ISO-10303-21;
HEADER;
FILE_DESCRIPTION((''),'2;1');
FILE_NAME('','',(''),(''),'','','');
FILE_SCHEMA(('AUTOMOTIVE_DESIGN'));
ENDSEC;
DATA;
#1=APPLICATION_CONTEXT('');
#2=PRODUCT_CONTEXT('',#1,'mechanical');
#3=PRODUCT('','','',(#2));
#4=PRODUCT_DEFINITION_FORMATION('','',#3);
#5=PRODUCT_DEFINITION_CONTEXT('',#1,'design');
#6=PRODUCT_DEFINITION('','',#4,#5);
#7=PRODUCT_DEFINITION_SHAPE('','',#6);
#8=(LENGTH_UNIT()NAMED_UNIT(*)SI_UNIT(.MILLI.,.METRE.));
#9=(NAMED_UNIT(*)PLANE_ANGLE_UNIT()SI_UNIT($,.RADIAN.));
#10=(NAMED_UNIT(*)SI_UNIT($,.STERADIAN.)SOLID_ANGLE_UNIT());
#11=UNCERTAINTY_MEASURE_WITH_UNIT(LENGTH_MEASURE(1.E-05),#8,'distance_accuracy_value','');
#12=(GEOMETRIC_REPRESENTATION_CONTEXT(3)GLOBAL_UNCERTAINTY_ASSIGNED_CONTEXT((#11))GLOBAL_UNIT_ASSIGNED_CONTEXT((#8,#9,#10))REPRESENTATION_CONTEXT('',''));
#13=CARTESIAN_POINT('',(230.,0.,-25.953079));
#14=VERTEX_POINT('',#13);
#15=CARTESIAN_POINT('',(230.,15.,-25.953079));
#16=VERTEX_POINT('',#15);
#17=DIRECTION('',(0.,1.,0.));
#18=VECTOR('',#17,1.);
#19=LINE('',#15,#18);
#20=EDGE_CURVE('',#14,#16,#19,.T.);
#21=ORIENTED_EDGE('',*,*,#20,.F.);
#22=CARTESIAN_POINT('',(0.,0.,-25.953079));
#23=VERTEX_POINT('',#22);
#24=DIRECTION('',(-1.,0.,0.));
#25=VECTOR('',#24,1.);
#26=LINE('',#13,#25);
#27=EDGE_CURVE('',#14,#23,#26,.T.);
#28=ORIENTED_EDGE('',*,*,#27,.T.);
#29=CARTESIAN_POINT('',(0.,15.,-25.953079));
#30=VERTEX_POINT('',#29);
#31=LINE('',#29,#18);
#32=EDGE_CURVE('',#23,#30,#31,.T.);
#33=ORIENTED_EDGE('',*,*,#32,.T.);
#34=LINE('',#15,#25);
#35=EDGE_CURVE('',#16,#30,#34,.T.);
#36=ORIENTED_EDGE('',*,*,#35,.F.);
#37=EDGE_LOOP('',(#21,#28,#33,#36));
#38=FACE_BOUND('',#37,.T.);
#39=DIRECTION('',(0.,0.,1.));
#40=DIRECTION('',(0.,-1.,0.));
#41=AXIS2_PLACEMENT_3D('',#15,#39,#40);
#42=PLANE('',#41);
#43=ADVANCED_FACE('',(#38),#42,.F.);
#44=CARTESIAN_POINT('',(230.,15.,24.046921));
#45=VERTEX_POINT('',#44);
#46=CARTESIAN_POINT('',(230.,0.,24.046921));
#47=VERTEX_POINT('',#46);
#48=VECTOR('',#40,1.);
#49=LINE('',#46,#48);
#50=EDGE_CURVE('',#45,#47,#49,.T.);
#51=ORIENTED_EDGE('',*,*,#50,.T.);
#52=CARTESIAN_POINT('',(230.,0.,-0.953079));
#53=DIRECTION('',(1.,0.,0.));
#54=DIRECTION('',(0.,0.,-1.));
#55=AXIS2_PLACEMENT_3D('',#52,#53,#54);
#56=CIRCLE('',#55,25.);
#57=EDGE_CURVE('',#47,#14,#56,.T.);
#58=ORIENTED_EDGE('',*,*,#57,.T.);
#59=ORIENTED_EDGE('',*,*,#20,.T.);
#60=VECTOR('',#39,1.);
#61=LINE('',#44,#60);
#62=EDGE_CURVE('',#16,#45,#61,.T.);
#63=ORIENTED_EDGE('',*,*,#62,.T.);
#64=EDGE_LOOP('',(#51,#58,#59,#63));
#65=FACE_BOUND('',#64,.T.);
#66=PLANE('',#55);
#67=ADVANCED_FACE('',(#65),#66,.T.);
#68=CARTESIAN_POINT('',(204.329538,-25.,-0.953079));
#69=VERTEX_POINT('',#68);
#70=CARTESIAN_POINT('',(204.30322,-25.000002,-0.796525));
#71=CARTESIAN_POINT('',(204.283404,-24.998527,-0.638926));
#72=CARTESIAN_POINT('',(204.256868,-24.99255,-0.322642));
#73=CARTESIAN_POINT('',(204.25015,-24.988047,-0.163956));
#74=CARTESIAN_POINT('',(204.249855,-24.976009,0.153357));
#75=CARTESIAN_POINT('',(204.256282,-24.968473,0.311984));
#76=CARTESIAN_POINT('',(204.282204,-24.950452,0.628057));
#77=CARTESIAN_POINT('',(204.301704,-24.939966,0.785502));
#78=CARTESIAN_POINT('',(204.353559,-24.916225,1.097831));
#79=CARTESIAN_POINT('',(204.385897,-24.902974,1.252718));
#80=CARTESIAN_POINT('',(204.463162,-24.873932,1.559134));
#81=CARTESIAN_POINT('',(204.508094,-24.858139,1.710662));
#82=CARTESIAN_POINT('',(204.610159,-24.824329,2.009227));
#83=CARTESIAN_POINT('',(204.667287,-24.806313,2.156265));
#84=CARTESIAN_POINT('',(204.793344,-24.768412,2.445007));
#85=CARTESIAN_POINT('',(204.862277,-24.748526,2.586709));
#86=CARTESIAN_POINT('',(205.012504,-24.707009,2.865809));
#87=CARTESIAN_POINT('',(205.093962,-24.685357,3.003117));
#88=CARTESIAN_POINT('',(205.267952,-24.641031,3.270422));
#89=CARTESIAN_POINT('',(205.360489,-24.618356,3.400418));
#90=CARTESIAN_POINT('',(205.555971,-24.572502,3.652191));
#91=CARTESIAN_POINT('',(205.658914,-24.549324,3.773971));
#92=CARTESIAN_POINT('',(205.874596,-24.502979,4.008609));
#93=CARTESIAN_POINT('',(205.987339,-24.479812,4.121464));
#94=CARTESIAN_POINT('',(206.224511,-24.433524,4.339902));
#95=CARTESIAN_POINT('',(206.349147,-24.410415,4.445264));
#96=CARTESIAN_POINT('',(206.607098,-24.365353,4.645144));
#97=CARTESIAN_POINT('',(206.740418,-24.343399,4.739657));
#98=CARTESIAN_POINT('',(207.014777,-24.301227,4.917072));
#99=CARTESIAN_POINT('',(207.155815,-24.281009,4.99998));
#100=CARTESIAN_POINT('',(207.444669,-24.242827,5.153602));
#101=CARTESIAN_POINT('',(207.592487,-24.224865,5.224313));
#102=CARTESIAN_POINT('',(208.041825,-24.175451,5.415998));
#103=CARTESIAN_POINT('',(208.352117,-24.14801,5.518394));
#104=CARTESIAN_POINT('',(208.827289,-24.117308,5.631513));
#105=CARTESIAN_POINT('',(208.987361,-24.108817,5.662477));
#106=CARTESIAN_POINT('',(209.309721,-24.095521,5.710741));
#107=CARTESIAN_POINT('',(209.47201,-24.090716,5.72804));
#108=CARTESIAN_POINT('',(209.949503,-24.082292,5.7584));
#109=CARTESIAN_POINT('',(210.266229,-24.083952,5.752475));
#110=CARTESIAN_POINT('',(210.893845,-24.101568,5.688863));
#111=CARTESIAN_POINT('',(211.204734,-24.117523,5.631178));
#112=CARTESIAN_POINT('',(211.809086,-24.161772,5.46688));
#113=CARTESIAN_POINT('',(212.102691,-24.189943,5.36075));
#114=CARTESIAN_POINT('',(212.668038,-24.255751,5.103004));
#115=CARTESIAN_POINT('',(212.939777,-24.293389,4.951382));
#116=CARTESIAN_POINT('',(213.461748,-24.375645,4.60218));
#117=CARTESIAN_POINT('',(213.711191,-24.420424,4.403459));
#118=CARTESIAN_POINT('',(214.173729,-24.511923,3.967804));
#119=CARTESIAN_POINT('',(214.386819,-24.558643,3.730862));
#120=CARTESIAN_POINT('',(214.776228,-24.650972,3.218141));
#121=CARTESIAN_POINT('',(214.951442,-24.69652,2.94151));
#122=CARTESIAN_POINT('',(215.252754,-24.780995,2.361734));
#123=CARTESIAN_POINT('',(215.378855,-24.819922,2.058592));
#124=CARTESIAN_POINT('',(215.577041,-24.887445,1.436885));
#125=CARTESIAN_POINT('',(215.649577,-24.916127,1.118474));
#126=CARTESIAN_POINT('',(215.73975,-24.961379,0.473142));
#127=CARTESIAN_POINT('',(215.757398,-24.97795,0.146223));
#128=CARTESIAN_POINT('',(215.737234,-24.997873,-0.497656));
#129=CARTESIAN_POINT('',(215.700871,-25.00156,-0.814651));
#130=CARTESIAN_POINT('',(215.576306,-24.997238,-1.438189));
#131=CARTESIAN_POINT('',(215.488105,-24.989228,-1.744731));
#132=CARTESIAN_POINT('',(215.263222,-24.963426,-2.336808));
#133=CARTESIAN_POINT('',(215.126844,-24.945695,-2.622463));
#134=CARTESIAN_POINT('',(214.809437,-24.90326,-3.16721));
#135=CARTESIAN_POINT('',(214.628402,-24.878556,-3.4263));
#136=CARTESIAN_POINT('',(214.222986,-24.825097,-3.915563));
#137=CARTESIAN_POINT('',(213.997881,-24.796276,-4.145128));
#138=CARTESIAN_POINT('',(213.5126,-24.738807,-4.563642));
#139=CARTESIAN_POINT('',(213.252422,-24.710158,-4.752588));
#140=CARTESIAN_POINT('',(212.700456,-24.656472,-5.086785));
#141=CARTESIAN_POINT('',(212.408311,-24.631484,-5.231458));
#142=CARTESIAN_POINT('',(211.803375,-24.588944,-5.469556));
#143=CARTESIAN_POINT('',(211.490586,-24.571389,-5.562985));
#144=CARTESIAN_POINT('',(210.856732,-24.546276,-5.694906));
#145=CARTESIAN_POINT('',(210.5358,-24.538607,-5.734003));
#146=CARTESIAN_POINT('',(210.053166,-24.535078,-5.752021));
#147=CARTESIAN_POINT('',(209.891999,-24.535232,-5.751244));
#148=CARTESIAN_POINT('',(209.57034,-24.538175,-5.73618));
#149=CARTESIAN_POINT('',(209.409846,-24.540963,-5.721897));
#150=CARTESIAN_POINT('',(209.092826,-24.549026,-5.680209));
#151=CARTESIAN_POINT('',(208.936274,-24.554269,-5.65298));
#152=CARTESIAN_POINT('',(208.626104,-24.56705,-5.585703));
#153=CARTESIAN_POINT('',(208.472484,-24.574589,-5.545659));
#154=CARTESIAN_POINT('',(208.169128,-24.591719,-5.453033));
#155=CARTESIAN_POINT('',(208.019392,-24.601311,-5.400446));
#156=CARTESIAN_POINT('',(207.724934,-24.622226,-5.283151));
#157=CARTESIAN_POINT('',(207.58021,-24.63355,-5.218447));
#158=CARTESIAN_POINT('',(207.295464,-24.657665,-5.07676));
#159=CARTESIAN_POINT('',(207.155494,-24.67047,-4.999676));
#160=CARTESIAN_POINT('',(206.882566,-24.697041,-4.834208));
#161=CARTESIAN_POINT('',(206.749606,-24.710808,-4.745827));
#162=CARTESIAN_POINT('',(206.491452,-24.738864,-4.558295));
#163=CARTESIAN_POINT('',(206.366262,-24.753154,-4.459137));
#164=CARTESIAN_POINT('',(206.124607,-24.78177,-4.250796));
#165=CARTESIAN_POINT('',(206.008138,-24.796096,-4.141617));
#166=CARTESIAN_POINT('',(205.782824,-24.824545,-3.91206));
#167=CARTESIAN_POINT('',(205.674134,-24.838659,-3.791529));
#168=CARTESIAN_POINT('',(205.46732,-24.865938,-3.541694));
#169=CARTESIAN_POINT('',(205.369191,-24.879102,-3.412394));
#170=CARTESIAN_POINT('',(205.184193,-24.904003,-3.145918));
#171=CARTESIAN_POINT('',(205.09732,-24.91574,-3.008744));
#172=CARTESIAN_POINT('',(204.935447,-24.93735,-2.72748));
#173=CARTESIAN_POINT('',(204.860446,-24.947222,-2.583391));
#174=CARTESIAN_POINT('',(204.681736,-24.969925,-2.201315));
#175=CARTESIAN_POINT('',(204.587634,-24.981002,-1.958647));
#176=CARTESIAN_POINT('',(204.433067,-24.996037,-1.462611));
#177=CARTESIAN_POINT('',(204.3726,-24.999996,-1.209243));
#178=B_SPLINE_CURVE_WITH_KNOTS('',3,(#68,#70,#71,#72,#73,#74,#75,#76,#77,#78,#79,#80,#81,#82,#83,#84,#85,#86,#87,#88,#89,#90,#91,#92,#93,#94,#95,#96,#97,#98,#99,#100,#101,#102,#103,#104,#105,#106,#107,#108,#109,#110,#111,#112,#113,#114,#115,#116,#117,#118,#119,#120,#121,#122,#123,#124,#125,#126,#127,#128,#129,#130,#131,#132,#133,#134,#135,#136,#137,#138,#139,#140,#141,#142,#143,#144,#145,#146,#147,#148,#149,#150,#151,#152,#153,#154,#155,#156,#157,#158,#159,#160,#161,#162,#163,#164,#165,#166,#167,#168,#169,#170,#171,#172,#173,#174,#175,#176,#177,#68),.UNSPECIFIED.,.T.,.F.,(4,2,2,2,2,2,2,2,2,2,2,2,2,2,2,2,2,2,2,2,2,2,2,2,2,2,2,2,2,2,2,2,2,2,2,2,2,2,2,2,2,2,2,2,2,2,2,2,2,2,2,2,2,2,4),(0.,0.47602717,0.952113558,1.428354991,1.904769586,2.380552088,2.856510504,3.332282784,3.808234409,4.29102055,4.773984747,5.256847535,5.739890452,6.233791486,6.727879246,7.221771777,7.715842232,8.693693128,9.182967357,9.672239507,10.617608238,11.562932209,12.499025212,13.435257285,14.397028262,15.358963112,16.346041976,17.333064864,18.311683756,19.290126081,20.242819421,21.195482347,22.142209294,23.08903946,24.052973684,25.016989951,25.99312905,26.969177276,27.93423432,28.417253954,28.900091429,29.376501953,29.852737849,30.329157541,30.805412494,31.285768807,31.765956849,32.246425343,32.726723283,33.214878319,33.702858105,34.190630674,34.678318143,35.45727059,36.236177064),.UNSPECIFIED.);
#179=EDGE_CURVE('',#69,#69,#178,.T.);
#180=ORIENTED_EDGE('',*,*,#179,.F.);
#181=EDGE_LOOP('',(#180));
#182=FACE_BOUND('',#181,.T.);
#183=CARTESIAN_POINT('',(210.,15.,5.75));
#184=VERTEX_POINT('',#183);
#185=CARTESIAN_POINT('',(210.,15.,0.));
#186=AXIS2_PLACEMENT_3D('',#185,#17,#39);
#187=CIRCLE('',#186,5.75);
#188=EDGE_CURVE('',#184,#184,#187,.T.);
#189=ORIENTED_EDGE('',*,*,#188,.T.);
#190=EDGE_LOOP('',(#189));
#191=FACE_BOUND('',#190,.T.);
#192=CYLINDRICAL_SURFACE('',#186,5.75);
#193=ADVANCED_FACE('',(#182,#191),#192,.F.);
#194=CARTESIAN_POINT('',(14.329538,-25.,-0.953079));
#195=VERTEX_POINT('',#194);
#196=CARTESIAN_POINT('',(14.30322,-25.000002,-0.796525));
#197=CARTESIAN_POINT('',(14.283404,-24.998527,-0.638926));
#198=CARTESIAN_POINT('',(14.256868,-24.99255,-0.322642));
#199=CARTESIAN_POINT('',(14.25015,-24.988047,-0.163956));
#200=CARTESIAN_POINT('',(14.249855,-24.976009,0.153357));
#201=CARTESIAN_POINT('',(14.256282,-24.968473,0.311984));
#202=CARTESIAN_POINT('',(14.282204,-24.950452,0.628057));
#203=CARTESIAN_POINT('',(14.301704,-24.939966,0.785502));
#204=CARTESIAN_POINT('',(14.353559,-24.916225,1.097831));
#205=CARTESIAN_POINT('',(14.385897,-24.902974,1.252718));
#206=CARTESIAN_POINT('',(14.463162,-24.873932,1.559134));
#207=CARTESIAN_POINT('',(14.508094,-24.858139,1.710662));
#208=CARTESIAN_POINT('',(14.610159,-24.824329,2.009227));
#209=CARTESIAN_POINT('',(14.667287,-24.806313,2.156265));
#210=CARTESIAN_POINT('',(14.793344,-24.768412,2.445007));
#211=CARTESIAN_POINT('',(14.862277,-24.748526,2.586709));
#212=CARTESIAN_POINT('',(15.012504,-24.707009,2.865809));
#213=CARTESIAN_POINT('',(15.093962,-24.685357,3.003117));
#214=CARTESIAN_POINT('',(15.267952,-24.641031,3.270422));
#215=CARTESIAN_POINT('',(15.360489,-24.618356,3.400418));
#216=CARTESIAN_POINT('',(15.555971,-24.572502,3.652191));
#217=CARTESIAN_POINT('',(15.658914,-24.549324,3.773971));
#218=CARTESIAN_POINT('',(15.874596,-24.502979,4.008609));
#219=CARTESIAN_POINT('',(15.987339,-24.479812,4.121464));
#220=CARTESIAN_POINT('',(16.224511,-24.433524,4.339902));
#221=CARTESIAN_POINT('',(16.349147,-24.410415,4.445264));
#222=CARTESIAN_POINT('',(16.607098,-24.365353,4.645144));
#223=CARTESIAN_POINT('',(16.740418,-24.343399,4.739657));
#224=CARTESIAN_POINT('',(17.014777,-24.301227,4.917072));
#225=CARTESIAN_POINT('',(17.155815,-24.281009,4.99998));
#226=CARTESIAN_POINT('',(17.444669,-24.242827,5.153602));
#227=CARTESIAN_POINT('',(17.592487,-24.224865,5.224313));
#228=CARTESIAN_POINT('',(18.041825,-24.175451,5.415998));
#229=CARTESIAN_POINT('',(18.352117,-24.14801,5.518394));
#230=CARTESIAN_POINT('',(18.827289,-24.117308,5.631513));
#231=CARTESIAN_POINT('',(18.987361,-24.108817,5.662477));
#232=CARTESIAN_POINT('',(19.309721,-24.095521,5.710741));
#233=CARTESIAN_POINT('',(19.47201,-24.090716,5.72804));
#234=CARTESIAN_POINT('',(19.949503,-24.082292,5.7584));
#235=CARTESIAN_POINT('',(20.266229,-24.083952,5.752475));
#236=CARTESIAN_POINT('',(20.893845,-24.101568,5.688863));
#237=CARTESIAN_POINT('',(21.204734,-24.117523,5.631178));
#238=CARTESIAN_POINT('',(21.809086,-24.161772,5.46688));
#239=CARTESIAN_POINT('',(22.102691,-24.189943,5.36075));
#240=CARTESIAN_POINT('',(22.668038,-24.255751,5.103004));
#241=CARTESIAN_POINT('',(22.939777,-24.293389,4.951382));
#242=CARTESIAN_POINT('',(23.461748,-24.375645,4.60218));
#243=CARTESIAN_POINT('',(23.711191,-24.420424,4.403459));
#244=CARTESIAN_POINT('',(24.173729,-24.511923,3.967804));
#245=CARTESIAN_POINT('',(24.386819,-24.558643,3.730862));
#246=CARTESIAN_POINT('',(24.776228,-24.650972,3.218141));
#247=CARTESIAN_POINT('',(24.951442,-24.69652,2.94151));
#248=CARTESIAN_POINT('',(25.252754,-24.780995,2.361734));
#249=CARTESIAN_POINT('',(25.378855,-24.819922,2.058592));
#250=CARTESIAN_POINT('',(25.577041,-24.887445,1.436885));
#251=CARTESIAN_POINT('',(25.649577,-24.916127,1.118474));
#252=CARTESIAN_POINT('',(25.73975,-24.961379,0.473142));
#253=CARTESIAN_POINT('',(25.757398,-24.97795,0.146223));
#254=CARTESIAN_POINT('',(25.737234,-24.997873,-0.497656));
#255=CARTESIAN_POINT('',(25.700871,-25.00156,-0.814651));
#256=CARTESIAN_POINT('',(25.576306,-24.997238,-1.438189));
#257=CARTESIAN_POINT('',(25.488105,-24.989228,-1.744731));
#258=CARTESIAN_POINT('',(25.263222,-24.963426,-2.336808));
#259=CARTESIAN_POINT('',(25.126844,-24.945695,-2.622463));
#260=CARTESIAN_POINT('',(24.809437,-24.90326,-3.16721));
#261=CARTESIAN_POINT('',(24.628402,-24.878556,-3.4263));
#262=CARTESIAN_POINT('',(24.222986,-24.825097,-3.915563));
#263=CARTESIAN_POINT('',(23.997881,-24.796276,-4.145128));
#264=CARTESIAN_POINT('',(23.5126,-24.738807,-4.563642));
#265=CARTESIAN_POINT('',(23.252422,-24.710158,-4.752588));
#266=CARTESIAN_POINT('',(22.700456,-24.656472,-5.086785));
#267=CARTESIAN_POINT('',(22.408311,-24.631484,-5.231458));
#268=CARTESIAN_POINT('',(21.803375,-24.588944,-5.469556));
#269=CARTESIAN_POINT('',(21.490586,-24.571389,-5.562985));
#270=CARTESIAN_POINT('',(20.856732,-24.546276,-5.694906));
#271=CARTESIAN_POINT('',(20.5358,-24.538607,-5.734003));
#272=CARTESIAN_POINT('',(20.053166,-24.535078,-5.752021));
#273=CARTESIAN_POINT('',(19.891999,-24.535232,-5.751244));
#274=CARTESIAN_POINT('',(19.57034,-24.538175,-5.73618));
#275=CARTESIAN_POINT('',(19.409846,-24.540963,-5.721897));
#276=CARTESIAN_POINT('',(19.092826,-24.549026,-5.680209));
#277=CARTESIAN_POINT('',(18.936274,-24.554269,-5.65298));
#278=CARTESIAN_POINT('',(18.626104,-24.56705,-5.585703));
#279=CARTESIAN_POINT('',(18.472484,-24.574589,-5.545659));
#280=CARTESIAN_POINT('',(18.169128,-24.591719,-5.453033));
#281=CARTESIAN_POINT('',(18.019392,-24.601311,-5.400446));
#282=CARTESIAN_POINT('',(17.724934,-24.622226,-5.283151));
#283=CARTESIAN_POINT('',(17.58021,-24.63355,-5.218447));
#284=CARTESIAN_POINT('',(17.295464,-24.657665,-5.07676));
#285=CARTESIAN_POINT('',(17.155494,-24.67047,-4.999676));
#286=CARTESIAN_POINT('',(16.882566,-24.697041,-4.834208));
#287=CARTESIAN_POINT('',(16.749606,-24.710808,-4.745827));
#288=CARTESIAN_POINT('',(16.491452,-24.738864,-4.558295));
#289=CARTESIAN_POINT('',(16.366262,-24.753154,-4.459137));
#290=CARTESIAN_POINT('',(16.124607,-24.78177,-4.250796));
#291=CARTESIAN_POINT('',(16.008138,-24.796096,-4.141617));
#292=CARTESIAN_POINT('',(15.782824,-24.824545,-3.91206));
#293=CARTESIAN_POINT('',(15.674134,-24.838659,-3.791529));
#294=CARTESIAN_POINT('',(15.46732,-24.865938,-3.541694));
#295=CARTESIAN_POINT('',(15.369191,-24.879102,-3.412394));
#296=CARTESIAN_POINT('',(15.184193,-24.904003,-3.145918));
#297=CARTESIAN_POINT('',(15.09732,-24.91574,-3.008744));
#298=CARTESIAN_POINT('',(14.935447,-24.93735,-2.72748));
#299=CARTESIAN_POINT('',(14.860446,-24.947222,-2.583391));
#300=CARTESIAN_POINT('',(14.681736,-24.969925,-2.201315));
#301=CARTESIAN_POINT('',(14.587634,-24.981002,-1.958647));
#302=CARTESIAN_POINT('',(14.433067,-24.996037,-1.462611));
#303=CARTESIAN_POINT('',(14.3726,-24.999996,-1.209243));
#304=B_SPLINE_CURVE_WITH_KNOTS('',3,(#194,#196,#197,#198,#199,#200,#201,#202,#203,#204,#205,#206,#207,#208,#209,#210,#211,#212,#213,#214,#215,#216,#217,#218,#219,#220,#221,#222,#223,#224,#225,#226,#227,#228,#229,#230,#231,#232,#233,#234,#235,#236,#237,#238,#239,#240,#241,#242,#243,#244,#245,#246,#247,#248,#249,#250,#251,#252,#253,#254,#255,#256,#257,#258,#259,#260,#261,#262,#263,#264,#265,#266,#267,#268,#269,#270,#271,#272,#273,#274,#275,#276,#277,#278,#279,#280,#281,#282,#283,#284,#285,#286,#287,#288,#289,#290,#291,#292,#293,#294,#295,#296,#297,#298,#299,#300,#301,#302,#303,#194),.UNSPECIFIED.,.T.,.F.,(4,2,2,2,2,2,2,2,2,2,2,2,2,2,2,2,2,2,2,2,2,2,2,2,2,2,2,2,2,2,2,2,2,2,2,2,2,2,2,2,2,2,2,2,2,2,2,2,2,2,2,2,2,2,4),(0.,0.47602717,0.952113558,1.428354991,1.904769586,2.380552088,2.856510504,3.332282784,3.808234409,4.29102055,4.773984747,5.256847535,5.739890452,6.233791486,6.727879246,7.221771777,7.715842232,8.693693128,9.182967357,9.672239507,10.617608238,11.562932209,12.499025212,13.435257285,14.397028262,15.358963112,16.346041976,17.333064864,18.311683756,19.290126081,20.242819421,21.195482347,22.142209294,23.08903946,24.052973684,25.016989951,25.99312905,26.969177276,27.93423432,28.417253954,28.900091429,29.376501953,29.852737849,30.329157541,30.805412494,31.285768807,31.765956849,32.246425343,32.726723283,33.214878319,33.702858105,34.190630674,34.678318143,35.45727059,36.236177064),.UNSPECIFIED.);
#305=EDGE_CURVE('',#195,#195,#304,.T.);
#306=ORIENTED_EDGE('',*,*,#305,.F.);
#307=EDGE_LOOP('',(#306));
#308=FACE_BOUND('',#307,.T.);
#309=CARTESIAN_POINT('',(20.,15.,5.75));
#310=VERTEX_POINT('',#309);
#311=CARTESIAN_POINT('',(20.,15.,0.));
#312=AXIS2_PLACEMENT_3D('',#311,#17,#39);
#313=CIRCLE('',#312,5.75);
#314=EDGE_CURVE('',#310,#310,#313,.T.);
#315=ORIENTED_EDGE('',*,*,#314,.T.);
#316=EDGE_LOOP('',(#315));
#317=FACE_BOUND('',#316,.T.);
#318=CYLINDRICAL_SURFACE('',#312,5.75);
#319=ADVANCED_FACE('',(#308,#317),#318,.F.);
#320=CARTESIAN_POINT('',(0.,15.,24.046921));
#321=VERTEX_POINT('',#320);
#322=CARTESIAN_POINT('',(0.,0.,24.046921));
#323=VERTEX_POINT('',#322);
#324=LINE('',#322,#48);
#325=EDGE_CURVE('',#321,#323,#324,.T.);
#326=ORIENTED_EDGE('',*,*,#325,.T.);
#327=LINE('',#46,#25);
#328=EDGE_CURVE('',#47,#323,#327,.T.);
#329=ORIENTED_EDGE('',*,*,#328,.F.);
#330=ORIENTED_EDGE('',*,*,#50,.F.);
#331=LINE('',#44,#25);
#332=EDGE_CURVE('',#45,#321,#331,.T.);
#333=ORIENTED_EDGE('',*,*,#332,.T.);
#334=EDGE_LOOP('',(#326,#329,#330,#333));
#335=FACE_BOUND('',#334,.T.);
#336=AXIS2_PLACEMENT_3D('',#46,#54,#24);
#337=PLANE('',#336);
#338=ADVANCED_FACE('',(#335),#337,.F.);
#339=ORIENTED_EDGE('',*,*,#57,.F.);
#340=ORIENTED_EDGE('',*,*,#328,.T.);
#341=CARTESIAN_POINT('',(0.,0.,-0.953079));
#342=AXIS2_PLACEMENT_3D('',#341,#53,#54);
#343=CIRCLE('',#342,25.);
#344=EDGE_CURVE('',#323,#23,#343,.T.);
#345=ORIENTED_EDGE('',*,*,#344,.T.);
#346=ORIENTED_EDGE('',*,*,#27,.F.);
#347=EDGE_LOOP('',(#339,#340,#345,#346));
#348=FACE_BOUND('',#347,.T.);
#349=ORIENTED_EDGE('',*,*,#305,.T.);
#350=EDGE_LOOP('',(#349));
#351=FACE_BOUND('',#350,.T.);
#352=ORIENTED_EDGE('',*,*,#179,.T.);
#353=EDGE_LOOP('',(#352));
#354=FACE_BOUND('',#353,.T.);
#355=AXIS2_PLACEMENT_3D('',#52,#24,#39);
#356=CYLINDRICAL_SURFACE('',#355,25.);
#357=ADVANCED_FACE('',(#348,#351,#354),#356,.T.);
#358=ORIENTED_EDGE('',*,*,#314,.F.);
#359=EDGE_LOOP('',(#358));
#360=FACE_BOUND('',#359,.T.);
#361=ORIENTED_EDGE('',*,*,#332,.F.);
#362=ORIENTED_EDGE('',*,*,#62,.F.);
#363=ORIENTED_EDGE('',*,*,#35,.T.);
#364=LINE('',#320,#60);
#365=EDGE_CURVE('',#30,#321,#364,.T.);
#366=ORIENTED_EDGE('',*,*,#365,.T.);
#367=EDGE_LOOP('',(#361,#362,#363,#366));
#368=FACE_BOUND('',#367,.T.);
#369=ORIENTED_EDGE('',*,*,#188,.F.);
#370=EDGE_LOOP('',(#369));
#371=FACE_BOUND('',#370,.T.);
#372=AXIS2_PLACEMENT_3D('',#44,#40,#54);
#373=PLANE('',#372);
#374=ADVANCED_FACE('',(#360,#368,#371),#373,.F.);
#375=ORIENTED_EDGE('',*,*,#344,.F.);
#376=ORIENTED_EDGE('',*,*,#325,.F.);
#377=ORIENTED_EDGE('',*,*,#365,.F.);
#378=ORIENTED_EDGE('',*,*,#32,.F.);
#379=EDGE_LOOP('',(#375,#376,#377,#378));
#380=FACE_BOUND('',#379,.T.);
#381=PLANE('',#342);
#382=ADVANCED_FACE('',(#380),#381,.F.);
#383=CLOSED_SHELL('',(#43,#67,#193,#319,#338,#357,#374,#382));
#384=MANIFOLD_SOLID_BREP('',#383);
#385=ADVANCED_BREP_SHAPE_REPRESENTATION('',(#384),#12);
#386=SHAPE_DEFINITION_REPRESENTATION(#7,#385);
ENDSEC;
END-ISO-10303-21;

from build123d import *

# Parameters (mm, degrees)
BOSS_EXTRUDE1_DEPTH          = 230
F_11_5_11_5_DIAMETER_HOLE2_D = 11.5


with BuildPart() as part:
    # Sketch1 → Boss-Extrude1 (new body)
    with BuildSketch(Plane(origin=(0, 0, 0), x_dir=(0, 0, -1), z_dir=(1, 0, 0))):
        with BuildLine():
            Line((-24.046920821, 0), (-24.046920821, 15))
            Line((-24.046920821, 15), (25.953079179, 15))
            Line((25.953079179, 15), (25.953079179, 0))
            ThreePointArc((25.953079179, 0), (0.953079179, -25), (-24.046920821, 0))
        make_face()
    extrude(amount=BOSS_EXTRUDE1_DEPTH)

    # Ø11.5 (11.5) Diameter Hole2 (through all)
    with Locations(Plane(origin=(0, 15, 0), x_dir=(1, 0, 0), z_dir=(0, 1, 0))):
        with Locations((20, 0), (210, 0)):
            Hole(F_11_5_11_5_DIAMETER_HOLE2_D / 2)


solid = part.part
